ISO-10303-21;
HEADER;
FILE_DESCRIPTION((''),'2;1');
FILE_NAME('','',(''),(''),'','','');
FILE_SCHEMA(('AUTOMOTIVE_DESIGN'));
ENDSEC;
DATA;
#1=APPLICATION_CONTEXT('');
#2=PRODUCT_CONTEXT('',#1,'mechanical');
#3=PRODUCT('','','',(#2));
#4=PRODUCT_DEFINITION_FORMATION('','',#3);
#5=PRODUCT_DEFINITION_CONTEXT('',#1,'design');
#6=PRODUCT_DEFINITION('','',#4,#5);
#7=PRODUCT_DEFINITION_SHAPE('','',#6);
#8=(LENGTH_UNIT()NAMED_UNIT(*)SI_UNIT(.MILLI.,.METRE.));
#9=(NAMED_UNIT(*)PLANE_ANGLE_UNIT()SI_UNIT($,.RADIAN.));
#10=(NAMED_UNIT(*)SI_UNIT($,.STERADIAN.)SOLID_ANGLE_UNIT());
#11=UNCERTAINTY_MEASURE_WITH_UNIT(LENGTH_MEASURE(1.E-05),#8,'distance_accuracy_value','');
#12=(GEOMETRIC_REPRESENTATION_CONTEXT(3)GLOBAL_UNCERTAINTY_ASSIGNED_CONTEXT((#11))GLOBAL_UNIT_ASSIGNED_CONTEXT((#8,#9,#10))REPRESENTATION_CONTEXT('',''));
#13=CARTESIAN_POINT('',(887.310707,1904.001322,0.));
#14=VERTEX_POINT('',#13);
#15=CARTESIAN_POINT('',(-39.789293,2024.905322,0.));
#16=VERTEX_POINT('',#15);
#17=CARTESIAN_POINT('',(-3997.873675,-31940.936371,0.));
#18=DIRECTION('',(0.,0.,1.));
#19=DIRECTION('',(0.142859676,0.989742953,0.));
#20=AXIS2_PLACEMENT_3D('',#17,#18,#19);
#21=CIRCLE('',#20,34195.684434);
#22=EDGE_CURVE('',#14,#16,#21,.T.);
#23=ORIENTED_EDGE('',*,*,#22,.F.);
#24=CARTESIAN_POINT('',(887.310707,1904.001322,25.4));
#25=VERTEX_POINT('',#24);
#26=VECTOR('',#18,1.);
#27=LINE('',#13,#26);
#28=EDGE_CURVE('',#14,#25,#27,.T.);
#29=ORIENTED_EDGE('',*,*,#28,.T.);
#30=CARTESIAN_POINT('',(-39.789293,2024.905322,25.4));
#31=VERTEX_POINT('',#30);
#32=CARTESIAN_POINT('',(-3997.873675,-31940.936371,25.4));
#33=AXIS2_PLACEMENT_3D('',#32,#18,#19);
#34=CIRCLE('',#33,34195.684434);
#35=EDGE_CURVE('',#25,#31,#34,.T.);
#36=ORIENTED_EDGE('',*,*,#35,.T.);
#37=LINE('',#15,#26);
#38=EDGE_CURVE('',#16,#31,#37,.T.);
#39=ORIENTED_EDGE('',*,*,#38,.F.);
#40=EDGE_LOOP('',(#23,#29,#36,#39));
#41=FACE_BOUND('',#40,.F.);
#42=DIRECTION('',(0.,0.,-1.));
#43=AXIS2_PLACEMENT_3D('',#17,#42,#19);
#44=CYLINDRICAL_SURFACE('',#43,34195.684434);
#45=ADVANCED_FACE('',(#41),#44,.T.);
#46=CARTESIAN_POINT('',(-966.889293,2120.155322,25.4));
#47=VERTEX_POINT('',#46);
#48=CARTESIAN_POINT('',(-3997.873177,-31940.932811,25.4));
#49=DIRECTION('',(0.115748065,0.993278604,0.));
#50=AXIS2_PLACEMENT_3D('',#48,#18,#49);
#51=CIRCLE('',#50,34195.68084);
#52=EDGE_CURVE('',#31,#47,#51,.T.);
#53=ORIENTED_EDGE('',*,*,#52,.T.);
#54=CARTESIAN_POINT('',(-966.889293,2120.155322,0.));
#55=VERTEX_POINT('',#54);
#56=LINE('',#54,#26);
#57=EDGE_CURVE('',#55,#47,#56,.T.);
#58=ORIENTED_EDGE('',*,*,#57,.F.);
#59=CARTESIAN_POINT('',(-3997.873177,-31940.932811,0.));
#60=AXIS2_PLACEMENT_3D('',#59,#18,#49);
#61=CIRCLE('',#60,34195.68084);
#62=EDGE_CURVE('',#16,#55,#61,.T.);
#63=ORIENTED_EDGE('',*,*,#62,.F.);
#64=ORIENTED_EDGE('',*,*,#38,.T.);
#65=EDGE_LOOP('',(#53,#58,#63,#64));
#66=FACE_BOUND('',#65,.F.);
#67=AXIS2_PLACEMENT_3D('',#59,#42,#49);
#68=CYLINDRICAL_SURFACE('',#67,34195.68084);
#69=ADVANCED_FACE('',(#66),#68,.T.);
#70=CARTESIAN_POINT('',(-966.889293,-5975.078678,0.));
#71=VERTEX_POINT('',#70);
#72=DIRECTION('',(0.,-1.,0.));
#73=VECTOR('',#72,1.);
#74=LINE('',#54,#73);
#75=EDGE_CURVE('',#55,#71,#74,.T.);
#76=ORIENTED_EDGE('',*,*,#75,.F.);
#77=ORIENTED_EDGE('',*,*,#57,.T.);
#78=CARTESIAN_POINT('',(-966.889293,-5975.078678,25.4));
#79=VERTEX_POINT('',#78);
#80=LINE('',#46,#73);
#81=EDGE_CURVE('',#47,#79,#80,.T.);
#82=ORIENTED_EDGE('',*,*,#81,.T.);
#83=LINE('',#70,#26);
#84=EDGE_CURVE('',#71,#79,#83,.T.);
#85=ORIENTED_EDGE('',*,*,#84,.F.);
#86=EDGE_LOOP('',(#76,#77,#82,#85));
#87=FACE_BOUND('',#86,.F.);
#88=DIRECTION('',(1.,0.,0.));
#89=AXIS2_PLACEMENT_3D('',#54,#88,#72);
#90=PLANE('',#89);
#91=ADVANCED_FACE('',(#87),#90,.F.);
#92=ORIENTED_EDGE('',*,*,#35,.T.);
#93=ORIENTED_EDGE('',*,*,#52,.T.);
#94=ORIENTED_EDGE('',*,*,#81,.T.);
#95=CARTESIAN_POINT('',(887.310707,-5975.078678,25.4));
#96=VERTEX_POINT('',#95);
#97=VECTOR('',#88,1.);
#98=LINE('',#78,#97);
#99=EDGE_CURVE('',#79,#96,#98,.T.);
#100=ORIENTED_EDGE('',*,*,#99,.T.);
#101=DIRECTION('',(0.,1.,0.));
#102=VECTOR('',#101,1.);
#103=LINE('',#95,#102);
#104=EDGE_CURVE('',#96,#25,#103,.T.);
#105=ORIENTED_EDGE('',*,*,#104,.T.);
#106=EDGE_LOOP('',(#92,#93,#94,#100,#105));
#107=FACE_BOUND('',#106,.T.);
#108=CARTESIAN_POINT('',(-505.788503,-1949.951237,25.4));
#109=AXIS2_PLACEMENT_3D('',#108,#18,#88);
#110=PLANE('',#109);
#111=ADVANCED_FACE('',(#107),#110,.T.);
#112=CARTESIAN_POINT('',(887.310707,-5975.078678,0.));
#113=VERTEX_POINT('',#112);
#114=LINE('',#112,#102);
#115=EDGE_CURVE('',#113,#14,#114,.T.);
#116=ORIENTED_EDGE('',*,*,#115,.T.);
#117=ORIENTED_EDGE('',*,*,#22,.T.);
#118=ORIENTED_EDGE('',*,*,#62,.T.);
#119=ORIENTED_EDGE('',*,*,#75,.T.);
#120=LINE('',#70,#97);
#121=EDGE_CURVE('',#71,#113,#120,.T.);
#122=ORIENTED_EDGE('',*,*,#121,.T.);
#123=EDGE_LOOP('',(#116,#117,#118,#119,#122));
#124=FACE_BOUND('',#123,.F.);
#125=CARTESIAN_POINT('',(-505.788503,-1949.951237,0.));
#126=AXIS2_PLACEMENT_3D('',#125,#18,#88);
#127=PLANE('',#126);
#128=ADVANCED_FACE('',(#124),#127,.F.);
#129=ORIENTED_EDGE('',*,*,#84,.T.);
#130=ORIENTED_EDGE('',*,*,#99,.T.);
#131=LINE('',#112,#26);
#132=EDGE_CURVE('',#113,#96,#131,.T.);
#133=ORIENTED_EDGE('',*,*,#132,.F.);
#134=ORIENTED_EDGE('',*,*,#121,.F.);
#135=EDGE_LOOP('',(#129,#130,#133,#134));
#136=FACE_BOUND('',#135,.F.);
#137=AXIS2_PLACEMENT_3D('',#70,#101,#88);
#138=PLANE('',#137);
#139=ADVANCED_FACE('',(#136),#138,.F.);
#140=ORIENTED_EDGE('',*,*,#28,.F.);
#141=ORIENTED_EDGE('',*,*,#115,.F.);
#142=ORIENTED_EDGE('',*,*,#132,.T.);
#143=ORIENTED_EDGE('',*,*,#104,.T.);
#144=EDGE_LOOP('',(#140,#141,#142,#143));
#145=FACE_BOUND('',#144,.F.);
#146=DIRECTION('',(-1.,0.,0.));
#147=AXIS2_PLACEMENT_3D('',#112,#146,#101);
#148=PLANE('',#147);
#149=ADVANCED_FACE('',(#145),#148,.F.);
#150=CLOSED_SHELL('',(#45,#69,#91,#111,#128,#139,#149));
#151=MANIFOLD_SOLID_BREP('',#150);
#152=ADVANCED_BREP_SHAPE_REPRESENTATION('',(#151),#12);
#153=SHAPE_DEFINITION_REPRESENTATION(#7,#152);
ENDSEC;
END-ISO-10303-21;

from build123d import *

# Parameters (mm, degrees)
F1_DEPTH = 25.4


with BuildPart() as f1:
    # F0 (on Top) → F1 (new body)
    with BuildSketch(Plane.XY):
        with BuildLine():
            Line((-966.889293, 2120.155322), (-966.889293, -5975.078678))
            Line((-966.889293, -5975.078678), (-39.789293, -5975.078678))
            Line((-39.789293, -5975.078678), (-39.789293, 2024.905322))
            ThreePointArc((-39.789293, 2024.905322), (-503.014781, 2075.688904), (-966.889293, 2120.155322))
        make_face()
        with BuildLine():
            Line((-39.789293, 2024.905322), (-39.789293, -5975.078678))
            Line((-39.789293, -5975.078678), (887.310707, -5975.078678))
            Line((887.310707, -5975.078678), (887.310707, 1904.001322))
            ThreePointArc((887.310707, 1904.001322), (424.173934, 1967.621971), (-39.789293, 2024.905322))
        make_face()
    extrude(amount=F1_DEPTH)


solid = f1.part
